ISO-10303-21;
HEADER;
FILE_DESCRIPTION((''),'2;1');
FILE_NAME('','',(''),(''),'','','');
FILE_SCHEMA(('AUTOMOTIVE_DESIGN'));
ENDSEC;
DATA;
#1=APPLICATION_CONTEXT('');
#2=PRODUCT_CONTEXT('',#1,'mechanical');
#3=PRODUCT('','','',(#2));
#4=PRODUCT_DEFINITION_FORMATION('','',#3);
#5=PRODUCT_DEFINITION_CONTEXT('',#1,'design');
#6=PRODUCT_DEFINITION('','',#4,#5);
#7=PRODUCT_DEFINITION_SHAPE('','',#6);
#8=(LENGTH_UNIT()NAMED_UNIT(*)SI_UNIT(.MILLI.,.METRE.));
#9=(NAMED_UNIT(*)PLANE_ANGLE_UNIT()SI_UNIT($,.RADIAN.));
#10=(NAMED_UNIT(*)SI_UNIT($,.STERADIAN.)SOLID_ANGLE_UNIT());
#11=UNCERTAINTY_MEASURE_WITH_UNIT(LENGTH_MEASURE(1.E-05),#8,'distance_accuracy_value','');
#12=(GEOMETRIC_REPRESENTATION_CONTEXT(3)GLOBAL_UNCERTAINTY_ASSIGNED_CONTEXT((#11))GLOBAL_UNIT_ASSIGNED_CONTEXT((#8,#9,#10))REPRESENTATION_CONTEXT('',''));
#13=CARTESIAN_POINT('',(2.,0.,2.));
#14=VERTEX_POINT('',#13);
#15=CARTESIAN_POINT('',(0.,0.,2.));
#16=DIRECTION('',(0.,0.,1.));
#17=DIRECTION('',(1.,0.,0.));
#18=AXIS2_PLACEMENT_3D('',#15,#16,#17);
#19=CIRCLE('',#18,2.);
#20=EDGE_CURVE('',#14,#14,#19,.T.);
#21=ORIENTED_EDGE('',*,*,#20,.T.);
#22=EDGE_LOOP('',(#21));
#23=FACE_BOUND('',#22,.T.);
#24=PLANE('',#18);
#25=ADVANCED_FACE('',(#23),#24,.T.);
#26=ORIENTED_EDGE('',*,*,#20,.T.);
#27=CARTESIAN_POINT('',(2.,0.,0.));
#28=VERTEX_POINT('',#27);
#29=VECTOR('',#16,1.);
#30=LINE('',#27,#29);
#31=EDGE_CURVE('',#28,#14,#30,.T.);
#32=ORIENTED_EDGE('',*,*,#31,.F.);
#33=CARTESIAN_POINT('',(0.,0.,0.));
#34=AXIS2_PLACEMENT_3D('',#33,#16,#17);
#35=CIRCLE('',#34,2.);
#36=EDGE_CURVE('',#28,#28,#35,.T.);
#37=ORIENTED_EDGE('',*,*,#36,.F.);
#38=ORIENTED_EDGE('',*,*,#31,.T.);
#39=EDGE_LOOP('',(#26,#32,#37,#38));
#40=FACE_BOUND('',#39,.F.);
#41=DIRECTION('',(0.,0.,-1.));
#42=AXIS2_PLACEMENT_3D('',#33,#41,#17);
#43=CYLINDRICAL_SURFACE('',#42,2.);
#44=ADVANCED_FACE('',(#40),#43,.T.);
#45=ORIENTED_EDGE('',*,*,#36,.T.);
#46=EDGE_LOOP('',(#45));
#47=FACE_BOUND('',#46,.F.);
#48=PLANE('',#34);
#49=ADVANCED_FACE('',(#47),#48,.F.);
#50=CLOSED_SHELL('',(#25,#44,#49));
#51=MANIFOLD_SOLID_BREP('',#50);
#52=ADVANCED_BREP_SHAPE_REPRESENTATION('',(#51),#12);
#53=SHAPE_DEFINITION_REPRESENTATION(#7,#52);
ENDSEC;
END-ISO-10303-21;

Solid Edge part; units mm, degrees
sketch "Sketch1" plane through (0, 0, 0) normal (0, 0, 1) x (1, 0, 0)
  circle A0 centre (0, 0) radius 2
extrude "Protrusion1" add sketch "Sketch1" along normal blind 2
